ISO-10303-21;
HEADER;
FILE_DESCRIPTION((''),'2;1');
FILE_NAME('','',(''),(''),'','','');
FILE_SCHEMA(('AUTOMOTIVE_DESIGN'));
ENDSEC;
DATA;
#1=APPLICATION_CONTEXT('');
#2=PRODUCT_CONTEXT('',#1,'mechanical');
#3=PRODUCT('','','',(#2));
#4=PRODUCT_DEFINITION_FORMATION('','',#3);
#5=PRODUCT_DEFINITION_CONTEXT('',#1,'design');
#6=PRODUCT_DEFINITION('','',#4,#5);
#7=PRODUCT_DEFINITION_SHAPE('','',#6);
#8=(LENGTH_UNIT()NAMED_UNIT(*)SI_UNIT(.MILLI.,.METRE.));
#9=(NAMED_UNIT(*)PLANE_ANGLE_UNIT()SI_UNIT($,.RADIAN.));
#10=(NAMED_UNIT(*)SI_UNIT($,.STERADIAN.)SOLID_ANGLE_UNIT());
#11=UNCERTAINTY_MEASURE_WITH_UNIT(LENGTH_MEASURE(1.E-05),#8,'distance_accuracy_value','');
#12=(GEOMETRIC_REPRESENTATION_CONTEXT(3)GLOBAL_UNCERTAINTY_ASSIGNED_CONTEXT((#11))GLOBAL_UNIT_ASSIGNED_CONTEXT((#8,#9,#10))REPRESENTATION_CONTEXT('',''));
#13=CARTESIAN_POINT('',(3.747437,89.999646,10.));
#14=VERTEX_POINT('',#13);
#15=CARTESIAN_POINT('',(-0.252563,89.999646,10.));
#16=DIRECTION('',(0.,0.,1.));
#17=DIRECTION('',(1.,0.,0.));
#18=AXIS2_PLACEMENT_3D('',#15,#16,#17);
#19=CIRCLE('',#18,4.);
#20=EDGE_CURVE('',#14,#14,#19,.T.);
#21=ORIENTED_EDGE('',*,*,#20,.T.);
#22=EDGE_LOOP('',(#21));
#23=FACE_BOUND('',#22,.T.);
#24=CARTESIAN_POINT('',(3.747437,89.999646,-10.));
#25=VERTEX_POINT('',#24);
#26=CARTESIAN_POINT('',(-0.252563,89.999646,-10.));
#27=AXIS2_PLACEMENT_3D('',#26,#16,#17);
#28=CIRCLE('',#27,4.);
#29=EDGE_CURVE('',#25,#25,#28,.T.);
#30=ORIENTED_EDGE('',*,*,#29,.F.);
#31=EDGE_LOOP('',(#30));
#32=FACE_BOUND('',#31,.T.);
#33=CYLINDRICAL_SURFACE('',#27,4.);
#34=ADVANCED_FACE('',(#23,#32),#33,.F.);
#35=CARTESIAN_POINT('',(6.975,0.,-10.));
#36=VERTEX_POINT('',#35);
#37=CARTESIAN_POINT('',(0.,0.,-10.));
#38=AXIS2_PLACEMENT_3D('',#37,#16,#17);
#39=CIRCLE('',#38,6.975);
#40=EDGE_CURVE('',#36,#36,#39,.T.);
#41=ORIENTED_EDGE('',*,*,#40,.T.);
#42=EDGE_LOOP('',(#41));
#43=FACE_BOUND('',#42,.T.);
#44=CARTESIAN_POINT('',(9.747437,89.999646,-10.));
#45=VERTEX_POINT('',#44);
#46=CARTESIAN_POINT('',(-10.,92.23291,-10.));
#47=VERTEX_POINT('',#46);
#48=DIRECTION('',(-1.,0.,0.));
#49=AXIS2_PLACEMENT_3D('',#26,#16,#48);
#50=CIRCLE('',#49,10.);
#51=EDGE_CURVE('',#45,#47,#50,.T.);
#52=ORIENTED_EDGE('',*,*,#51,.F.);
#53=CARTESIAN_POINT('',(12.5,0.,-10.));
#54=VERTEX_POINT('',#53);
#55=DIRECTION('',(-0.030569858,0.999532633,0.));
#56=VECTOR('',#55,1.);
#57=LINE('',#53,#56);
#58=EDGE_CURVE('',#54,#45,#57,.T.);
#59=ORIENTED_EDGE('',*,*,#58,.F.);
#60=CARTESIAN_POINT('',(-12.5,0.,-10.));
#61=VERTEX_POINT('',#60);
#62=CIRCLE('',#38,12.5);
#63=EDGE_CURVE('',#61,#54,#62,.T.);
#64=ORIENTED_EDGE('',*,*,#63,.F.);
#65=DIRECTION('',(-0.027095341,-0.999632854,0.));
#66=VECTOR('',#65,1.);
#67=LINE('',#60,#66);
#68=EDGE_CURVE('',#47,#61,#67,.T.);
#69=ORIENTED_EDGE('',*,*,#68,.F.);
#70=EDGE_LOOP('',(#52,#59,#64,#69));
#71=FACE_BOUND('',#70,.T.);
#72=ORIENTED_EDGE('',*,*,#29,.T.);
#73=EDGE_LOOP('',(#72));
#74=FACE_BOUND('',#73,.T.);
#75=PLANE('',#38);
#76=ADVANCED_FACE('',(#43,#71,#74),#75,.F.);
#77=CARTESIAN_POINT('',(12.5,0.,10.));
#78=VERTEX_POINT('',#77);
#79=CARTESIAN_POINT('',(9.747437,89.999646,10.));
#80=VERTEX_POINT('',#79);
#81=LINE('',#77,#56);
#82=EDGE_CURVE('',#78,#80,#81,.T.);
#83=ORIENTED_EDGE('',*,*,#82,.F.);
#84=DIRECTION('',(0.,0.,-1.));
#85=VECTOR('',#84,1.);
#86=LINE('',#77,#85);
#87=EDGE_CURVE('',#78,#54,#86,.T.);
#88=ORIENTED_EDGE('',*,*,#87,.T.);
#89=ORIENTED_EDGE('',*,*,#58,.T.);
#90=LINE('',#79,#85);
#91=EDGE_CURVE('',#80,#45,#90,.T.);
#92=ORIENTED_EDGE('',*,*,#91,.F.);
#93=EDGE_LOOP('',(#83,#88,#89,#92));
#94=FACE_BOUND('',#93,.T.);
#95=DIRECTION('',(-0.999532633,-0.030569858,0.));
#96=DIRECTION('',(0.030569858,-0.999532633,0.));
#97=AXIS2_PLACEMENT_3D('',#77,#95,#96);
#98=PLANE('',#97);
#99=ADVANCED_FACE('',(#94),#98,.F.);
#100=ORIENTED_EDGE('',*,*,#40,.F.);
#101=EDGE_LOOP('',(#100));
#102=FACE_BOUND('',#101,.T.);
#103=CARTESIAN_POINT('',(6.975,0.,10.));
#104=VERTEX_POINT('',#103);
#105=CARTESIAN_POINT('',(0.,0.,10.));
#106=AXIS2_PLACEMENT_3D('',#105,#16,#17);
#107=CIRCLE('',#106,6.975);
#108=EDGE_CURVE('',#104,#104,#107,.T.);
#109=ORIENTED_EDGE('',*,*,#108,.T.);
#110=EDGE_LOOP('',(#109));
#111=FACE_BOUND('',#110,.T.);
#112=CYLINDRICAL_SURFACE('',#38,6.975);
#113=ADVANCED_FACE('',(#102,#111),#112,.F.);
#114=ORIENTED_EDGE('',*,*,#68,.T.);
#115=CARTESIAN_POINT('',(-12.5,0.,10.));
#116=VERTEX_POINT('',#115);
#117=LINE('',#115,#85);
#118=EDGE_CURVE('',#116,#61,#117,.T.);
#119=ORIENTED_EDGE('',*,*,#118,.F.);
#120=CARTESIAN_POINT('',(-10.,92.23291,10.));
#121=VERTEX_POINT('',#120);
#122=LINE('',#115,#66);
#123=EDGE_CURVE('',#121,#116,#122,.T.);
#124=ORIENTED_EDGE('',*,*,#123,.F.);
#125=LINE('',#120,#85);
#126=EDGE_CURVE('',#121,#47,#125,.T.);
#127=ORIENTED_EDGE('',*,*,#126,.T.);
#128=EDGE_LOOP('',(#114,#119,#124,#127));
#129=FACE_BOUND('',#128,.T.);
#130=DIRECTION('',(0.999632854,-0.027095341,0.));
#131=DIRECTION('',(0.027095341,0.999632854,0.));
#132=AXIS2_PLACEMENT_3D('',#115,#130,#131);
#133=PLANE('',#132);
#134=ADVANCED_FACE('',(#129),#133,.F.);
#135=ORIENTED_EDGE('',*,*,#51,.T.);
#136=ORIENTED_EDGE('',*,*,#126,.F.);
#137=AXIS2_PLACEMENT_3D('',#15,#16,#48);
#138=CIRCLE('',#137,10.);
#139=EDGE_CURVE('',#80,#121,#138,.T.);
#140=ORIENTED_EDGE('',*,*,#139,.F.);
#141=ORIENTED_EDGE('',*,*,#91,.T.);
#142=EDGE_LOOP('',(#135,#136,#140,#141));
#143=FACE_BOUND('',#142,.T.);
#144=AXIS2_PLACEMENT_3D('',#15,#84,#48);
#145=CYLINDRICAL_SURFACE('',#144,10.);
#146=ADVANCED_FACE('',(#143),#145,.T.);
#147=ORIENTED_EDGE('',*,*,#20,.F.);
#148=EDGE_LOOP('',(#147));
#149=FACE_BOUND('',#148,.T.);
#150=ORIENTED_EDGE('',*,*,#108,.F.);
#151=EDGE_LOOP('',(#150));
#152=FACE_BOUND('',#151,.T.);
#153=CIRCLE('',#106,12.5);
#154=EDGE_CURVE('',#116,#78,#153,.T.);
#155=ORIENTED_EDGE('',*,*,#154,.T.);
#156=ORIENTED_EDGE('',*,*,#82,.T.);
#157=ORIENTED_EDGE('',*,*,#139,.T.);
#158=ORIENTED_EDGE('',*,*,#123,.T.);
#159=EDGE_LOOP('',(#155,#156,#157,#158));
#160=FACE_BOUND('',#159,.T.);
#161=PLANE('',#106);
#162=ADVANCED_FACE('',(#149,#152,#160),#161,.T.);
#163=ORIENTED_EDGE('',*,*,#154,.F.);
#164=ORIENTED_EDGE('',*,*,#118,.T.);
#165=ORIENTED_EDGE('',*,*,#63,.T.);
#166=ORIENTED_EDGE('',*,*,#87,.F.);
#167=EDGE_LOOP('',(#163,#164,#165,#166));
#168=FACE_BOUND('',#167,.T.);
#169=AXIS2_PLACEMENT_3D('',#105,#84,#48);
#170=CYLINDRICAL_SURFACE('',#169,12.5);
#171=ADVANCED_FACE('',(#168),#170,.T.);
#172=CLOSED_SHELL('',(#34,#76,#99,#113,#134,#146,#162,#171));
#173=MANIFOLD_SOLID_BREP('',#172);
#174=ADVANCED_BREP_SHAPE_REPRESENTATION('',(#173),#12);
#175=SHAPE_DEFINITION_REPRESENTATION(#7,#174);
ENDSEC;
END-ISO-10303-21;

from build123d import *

# Parameters (mm, degrees)
EXTRUDE1_DEPTH     = 10
SKETCH6_R          = 4
CUT_EXTRUDE1_DEPTH = 21
SKETCH8_R          = 6.975
CUT_EXTRUDE2_DEPTH = 21


with BuildPart() as part:
    # Sketch2 → Extrude1 (new body, symmetric)
    with BuildSketch(Plane.XY):
        with BuildLine():
            Line((-12.5, 0), (-10, 92.232909937))
            ThreePointArc((-10, 92.232909937), (0.871187265, 99.936304296), (9.747437125, 89.999645621))
            Line((9.747437125, 89.999645621), (12.5, 0))
            ThreePointArc((12.5, 0), (0, -12.5), (-12.5, 0))
        make_face()
    extrude(amount=EXTRUDE1_DEPTH, both=True)

    # Sketch6 → Cut-Extrude1 (cut, through all)
    with BuildSketch(Plane.XY.offset(10)):
        with Locations((-0.252562875, 89.999645621)):
            Circle(SKETCH6_R)
    extrude(amount=-CUT_EXTRUDE1_DEPTH, mode=Mode.SUBTRACT)

    # Sketch8 → Cut-Extrude2 (cut, through all)
    with BuildSketch(Plane.XY.offset(10)):
        Circle(SKETCH8_R)
    extrude(amount=-CUT_EXTRUDE2_DEPTH, mode=Mode.SUBTRACT)


solid = part.part
